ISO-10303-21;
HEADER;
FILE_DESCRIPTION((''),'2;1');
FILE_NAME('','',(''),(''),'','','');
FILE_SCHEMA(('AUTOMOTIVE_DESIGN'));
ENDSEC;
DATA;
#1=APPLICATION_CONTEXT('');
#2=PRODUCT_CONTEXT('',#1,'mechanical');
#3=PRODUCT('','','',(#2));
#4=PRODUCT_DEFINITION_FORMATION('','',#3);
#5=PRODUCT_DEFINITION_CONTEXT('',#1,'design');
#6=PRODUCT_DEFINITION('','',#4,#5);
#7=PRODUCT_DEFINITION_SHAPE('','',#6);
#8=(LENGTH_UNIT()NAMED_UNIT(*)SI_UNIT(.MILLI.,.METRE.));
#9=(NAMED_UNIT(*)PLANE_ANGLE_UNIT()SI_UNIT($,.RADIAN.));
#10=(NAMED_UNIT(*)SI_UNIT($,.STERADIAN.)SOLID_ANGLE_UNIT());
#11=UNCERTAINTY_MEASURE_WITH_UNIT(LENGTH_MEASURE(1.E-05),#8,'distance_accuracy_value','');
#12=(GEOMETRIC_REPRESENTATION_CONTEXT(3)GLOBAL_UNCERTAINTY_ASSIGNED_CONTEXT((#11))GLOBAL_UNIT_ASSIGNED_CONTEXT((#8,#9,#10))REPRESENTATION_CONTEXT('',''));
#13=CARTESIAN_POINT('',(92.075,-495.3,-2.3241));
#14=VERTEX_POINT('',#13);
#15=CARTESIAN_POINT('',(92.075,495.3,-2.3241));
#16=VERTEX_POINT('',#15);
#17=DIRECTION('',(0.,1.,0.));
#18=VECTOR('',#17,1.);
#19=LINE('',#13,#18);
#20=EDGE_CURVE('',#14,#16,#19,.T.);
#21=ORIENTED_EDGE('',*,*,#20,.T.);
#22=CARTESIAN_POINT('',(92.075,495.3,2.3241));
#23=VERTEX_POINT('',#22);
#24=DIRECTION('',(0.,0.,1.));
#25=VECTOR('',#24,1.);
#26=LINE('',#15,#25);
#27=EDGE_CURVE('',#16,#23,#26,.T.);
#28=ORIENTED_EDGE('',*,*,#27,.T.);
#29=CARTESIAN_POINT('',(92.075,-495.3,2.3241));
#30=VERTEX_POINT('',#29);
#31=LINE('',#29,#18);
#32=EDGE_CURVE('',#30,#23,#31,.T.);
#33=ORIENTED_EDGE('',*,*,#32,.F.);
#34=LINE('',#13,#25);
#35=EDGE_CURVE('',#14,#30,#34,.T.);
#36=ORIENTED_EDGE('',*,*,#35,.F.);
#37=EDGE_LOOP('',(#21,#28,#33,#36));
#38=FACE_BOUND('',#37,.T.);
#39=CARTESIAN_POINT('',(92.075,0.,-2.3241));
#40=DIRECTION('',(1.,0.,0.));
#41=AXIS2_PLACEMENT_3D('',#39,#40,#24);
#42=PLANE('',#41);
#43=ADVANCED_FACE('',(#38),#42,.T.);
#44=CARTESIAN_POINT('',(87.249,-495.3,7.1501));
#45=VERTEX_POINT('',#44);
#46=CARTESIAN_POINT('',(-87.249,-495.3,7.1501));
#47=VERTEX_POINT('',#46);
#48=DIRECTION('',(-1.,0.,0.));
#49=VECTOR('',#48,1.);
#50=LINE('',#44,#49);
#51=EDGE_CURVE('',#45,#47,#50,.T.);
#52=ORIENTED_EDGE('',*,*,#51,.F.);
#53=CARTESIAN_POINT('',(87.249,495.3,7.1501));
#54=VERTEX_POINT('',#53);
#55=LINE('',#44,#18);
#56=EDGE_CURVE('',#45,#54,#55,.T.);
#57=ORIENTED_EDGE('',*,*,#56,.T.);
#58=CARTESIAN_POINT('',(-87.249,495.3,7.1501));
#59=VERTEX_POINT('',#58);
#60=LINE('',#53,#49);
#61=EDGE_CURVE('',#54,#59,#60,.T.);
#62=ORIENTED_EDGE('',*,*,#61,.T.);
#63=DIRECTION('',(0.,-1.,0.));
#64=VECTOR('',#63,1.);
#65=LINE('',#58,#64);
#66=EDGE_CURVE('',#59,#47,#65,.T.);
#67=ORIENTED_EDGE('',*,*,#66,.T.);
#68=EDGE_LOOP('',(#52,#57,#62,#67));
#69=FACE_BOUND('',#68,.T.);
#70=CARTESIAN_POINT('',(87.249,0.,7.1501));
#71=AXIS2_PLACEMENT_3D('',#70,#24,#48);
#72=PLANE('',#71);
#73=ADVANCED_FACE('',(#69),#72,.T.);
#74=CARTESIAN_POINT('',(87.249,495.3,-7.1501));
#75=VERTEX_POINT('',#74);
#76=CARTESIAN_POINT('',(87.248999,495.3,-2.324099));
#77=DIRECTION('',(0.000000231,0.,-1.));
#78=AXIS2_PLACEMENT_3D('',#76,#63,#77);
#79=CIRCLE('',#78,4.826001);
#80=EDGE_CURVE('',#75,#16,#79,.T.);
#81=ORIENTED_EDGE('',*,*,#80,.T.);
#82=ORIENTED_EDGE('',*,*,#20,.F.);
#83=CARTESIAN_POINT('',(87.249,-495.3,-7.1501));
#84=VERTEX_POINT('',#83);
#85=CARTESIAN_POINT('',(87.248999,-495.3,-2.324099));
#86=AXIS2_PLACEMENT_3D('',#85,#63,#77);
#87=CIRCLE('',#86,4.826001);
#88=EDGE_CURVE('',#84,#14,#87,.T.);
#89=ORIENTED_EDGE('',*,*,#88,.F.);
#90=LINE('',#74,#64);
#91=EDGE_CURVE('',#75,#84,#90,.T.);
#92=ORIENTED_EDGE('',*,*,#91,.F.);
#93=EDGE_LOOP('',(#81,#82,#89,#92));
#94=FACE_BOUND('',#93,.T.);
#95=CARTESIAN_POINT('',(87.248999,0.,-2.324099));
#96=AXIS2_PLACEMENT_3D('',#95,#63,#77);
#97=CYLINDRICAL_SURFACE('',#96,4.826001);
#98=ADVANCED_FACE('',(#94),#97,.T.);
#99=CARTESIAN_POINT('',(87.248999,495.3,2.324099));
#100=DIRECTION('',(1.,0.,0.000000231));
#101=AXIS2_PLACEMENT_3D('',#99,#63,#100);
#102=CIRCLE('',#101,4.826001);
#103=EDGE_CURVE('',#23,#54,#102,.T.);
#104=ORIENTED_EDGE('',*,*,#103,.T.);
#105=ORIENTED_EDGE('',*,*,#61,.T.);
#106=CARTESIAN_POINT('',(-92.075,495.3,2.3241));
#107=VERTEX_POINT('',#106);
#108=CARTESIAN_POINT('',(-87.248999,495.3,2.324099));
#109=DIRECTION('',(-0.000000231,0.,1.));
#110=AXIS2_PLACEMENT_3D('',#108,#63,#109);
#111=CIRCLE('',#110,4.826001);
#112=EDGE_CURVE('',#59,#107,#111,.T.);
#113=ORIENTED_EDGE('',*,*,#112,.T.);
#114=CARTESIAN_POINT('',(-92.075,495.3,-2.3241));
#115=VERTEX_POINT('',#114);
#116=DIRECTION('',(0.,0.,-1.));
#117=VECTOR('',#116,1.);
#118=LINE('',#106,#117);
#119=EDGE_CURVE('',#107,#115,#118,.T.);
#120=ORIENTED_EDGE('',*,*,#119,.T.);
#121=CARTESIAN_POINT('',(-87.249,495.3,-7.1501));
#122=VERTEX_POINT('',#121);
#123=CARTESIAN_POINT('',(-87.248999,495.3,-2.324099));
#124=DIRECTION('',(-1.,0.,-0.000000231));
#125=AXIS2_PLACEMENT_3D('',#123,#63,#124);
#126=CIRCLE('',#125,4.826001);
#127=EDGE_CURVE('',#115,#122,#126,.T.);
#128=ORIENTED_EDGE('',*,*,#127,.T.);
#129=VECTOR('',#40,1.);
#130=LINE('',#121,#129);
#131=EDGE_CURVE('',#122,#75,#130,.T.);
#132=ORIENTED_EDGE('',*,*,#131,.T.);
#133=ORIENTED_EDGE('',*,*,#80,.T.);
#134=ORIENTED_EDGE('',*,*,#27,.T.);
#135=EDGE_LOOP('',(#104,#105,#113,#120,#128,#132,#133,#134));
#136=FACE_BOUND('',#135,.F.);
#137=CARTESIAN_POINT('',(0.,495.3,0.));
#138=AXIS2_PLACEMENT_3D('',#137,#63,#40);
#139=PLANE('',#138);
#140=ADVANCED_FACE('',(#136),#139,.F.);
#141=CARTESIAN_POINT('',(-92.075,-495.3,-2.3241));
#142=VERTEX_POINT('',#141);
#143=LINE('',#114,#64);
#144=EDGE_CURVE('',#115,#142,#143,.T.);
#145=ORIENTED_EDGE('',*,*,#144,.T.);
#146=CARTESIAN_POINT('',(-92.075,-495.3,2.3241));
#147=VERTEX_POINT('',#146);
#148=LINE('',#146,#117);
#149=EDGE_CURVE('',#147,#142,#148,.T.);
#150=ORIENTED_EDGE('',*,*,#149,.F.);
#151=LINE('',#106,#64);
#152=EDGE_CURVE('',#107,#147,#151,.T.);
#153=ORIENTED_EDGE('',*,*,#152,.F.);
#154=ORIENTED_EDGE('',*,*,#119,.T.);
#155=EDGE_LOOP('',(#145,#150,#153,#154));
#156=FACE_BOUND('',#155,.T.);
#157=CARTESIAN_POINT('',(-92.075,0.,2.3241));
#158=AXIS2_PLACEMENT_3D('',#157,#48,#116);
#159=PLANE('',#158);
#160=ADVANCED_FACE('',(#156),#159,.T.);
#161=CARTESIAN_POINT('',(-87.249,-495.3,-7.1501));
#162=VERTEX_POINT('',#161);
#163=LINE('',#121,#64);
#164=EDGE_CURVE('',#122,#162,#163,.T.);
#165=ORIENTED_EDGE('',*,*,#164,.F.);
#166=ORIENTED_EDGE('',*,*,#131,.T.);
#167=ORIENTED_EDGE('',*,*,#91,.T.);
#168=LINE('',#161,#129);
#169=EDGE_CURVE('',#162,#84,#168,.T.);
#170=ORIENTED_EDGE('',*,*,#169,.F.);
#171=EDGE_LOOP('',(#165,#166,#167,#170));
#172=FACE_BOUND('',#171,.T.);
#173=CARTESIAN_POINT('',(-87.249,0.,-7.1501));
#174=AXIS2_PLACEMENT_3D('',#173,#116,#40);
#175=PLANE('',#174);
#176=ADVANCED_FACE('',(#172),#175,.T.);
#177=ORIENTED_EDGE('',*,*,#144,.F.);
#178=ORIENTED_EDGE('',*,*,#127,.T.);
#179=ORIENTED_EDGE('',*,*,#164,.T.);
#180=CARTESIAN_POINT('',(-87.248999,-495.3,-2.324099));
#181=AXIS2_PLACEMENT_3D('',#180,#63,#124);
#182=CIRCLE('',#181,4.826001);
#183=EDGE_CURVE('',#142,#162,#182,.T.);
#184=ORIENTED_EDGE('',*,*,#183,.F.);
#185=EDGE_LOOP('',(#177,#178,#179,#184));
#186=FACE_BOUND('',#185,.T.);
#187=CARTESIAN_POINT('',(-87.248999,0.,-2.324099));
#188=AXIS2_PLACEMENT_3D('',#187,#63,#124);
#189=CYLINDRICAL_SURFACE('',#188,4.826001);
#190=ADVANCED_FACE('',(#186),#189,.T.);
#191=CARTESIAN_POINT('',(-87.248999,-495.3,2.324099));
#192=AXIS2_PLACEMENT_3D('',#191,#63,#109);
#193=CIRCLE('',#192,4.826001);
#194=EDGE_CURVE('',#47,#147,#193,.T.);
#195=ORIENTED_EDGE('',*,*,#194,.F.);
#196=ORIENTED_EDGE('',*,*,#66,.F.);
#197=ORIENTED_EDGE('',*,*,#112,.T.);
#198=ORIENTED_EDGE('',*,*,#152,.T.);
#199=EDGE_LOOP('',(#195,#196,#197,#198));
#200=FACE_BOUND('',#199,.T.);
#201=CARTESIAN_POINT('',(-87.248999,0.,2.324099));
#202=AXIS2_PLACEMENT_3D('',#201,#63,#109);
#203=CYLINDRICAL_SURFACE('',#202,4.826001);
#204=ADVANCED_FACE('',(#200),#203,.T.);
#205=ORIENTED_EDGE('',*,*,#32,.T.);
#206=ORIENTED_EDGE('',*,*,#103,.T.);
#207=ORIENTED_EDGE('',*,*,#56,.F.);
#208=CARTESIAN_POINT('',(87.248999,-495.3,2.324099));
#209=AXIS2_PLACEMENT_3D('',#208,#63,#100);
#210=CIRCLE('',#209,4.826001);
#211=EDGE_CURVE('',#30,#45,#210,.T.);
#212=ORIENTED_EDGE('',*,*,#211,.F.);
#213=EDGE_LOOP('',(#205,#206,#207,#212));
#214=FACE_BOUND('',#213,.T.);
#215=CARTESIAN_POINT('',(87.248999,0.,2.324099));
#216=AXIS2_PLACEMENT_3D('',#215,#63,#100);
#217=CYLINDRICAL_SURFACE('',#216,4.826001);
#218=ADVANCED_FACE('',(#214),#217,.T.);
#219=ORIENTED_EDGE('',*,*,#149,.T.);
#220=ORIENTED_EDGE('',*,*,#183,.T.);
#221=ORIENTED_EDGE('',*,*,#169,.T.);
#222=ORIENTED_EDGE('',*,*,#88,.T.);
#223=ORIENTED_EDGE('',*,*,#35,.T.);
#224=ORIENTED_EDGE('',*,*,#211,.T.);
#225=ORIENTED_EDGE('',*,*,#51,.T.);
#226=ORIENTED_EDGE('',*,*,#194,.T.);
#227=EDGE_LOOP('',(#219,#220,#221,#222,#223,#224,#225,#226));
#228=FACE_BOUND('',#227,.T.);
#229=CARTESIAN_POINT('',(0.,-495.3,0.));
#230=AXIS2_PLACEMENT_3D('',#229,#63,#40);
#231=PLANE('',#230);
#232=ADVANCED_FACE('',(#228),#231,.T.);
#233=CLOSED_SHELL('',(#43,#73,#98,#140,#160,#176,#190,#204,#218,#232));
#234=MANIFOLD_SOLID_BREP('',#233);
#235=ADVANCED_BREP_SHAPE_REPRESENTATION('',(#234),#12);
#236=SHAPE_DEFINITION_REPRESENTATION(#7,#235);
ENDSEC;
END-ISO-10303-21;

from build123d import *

# Parameters (mm, degrees)
F1_DEPTH = 495.3


with BuildPart() as f1:
    # F0 (on Front) → F1 (new body, symmetric)
    with BuildSketch(Plane.XZ):
        with BuildLine():
            Line((87.249, 7.1501), (-87.249, 7.1501))
            ThreePointArc((-87.249, 7.1501), (-90.661497, 5.736597), (-92.075, 2.3241))
            Line((-92.075, 2.3241), (-92.075, -2.3241))
            ThreePointArc((-92.075, -2.3241), (-90.661497, -5.736597), (-87.249, -7.1501))
            Line((-87.249, -7.1501), (87.249, -7.1501))
            ThreePointArc((87.249, -7.1501), (90.661497, -5.736597), (92.075, -2.3241))
            Line((92.075, -2.3241), (92.075, 2.3241))
            ThreePointArc((92.075, 2.3241), (90.661497, 5.736597), (87.249, 7.1501))
        make_face()
    extrude(amount=F1_DEPTH, both=True)


solid = f1.part
